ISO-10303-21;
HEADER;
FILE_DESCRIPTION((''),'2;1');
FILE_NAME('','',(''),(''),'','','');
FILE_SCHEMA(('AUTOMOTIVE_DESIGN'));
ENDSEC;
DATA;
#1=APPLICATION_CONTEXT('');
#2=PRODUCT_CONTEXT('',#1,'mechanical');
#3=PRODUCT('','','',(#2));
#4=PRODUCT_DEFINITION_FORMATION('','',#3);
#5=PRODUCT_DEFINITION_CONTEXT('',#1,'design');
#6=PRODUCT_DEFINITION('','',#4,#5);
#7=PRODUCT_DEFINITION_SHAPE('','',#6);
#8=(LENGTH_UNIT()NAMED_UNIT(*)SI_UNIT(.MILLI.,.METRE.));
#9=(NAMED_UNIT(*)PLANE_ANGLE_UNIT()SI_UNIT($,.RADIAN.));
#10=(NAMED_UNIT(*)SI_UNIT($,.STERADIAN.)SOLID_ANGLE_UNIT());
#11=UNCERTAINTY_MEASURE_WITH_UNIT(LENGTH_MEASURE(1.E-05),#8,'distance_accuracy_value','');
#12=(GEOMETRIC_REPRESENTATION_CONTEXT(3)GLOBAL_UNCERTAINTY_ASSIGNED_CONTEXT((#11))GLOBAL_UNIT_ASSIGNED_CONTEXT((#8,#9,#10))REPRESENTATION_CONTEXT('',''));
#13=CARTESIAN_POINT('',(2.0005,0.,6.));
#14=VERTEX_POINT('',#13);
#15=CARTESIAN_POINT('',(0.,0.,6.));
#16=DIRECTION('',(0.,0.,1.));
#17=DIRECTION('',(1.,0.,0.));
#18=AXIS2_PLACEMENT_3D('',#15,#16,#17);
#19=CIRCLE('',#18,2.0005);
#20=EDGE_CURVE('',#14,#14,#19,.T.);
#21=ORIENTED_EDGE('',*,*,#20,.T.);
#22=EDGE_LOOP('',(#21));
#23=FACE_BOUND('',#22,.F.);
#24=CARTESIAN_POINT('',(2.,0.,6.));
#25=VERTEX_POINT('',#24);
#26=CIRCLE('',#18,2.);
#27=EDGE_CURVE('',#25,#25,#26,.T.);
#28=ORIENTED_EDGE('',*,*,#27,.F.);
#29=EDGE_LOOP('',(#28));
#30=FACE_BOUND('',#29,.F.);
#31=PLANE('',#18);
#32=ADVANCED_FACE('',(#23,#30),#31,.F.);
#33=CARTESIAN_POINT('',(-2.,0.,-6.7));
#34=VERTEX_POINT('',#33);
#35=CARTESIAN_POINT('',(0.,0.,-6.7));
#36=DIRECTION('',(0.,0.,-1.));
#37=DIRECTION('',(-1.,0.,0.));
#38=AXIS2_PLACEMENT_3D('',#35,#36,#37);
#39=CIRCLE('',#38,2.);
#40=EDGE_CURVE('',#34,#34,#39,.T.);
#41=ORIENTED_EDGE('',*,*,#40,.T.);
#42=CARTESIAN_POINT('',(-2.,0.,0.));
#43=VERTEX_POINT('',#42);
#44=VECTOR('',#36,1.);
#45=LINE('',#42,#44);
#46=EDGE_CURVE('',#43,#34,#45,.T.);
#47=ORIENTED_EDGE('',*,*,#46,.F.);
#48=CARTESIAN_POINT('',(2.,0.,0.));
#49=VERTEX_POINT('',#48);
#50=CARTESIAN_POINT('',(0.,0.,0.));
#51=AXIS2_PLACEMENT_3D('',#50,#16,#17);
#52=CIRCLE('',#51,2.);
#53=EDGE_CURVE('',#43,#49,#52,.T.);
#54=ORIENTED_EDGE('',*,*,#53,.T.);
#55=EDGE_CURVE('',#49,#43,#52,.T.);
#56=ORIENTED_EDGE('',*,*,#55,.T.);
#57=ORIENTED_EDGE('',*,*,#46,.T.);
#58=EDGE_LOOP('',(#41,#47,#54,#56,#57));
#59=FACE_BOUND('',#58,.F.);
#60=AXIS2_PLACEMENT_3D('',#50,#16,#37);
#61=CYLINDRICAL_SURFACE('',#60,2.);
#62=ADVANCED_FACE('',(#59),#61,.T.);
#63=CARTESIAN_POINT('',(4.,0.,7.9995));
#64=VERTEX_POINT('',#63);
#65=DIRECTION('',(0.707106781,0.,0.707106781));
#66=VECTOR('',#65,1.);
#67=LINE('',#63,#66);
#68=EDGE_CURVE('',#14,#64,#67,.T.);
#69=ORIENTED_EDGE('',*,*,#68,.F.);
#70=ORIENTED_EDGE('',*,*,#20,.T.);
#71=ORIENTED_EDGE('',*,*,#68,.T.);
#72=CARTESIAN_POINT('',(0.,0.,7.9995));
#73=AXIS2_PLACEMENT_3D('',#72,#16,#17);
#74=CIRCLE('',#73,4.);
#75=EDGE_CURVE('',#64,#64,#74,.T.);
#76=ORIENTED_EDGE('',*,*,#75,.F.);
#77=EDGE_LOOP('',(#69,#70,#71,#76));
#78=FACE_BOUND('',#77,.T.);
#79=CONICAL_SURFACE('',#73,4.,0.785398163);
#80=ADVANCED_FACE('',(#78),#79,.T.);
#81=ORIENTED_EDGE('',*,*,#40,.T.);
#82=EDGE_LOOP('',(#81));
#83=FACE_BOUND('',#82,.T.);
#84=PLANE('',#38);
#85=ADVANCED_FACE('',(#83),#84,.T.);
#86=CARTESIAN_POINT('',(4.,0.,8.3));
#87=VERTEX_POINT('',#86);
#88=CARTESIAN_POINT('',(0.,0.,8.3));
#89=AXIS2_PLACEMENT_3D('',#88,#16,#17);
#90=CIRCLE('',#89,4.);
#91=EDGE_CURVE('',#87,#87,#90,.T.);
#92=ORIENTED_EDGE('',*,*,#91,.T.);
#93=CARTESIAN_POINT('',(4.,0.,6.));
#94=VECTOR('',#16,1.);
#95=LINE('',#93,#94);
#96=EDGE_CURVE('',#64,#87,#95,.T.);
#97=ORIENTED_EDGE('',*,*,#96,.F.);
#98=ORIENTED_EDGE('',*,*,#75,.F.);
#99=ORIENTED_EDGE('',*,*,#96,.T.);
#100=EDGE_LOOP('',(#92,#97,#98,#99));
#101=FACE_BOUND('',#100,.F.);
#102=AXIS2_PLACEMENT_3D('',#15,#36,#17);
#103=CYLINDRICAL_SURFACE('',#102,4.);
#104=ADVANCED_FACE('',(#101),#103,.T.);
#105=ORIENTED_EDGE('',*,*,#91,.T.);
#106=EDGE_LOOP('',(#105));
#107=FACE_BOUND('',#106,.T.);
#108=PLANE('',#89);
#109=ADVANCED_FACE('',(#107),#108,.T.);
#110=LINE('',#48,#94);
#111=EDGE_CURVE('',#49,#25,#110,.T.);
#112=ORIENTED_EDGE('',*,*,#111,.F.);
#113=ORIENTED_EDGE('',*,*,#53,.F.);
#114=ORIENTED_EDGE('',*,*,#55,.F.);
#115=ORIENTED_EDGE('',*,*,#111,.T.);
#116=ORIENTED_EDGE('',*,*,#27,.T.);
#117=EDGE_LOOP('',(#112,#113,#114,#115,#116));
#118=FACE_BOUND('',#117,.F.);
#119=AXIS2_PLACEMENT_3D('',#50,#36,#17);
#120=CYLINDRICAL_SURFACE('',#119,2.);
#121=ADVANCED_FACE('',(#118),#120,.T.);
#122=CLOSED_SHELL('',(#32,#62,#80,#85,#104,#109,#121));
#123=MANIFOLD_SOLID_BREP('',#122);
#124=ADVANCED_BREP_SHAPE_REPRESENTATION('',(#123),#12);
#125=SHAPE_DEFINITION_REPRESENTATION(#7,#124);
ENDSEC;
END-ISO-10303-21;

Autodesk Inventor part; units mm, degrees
ref_plane "YZ Plane" through (0, 0, 0) normal (1, 0, 0) x (0, 1, 0)
ref_plane "XZ Plane" through (0, 0, 0) normal (0, 1, 0) x (-1, 0, 0)
ref_plane "XY Plane" through (0, 0, 0) normal (0, 0, 1) x (1, 0, 0)
sketch "スケッチ1" plane through (0, 0, 0) normal (0, 0, 1) x (1, 0, 0)
  circle A0 centre (0, 0) radius 2
  dimension "d0" = 4
extrude "押し出し1" add sketch "スケッチ1" along normal blind 6
sketch "スケッチ2" plane through (0, 0, 6) normal (0, 0, 1) x (1, 0, 0)
  circle A0 centre (0, 0) radius 2 projected
  circle A1 centre (0, 0) radius 4
  dimension "d3" = 8
extrude "押し出し2" add sketch "スケッチ2" along normal blind 2.3 contours A0 | A1
thread "ねじ1" size "M4x0.7" class "6g" standard "ANSI Metric M Profile" full length
chamfer "面取り1" distance 2 angle 45 1 edges at (-4, 0, 6)
sketch "スケッチ4" plane through (0, 0, 0) normal (0, 0, -1) x (-1, 0, 0)
  circle A0 centre (0, 0) radius 2
extrude "押し出し4" add sketch "スケッチ4" along normal blind 6.7
properties part number "SB　M4 15mm 皿ネジ" material "Stainless Steel, 440C"
